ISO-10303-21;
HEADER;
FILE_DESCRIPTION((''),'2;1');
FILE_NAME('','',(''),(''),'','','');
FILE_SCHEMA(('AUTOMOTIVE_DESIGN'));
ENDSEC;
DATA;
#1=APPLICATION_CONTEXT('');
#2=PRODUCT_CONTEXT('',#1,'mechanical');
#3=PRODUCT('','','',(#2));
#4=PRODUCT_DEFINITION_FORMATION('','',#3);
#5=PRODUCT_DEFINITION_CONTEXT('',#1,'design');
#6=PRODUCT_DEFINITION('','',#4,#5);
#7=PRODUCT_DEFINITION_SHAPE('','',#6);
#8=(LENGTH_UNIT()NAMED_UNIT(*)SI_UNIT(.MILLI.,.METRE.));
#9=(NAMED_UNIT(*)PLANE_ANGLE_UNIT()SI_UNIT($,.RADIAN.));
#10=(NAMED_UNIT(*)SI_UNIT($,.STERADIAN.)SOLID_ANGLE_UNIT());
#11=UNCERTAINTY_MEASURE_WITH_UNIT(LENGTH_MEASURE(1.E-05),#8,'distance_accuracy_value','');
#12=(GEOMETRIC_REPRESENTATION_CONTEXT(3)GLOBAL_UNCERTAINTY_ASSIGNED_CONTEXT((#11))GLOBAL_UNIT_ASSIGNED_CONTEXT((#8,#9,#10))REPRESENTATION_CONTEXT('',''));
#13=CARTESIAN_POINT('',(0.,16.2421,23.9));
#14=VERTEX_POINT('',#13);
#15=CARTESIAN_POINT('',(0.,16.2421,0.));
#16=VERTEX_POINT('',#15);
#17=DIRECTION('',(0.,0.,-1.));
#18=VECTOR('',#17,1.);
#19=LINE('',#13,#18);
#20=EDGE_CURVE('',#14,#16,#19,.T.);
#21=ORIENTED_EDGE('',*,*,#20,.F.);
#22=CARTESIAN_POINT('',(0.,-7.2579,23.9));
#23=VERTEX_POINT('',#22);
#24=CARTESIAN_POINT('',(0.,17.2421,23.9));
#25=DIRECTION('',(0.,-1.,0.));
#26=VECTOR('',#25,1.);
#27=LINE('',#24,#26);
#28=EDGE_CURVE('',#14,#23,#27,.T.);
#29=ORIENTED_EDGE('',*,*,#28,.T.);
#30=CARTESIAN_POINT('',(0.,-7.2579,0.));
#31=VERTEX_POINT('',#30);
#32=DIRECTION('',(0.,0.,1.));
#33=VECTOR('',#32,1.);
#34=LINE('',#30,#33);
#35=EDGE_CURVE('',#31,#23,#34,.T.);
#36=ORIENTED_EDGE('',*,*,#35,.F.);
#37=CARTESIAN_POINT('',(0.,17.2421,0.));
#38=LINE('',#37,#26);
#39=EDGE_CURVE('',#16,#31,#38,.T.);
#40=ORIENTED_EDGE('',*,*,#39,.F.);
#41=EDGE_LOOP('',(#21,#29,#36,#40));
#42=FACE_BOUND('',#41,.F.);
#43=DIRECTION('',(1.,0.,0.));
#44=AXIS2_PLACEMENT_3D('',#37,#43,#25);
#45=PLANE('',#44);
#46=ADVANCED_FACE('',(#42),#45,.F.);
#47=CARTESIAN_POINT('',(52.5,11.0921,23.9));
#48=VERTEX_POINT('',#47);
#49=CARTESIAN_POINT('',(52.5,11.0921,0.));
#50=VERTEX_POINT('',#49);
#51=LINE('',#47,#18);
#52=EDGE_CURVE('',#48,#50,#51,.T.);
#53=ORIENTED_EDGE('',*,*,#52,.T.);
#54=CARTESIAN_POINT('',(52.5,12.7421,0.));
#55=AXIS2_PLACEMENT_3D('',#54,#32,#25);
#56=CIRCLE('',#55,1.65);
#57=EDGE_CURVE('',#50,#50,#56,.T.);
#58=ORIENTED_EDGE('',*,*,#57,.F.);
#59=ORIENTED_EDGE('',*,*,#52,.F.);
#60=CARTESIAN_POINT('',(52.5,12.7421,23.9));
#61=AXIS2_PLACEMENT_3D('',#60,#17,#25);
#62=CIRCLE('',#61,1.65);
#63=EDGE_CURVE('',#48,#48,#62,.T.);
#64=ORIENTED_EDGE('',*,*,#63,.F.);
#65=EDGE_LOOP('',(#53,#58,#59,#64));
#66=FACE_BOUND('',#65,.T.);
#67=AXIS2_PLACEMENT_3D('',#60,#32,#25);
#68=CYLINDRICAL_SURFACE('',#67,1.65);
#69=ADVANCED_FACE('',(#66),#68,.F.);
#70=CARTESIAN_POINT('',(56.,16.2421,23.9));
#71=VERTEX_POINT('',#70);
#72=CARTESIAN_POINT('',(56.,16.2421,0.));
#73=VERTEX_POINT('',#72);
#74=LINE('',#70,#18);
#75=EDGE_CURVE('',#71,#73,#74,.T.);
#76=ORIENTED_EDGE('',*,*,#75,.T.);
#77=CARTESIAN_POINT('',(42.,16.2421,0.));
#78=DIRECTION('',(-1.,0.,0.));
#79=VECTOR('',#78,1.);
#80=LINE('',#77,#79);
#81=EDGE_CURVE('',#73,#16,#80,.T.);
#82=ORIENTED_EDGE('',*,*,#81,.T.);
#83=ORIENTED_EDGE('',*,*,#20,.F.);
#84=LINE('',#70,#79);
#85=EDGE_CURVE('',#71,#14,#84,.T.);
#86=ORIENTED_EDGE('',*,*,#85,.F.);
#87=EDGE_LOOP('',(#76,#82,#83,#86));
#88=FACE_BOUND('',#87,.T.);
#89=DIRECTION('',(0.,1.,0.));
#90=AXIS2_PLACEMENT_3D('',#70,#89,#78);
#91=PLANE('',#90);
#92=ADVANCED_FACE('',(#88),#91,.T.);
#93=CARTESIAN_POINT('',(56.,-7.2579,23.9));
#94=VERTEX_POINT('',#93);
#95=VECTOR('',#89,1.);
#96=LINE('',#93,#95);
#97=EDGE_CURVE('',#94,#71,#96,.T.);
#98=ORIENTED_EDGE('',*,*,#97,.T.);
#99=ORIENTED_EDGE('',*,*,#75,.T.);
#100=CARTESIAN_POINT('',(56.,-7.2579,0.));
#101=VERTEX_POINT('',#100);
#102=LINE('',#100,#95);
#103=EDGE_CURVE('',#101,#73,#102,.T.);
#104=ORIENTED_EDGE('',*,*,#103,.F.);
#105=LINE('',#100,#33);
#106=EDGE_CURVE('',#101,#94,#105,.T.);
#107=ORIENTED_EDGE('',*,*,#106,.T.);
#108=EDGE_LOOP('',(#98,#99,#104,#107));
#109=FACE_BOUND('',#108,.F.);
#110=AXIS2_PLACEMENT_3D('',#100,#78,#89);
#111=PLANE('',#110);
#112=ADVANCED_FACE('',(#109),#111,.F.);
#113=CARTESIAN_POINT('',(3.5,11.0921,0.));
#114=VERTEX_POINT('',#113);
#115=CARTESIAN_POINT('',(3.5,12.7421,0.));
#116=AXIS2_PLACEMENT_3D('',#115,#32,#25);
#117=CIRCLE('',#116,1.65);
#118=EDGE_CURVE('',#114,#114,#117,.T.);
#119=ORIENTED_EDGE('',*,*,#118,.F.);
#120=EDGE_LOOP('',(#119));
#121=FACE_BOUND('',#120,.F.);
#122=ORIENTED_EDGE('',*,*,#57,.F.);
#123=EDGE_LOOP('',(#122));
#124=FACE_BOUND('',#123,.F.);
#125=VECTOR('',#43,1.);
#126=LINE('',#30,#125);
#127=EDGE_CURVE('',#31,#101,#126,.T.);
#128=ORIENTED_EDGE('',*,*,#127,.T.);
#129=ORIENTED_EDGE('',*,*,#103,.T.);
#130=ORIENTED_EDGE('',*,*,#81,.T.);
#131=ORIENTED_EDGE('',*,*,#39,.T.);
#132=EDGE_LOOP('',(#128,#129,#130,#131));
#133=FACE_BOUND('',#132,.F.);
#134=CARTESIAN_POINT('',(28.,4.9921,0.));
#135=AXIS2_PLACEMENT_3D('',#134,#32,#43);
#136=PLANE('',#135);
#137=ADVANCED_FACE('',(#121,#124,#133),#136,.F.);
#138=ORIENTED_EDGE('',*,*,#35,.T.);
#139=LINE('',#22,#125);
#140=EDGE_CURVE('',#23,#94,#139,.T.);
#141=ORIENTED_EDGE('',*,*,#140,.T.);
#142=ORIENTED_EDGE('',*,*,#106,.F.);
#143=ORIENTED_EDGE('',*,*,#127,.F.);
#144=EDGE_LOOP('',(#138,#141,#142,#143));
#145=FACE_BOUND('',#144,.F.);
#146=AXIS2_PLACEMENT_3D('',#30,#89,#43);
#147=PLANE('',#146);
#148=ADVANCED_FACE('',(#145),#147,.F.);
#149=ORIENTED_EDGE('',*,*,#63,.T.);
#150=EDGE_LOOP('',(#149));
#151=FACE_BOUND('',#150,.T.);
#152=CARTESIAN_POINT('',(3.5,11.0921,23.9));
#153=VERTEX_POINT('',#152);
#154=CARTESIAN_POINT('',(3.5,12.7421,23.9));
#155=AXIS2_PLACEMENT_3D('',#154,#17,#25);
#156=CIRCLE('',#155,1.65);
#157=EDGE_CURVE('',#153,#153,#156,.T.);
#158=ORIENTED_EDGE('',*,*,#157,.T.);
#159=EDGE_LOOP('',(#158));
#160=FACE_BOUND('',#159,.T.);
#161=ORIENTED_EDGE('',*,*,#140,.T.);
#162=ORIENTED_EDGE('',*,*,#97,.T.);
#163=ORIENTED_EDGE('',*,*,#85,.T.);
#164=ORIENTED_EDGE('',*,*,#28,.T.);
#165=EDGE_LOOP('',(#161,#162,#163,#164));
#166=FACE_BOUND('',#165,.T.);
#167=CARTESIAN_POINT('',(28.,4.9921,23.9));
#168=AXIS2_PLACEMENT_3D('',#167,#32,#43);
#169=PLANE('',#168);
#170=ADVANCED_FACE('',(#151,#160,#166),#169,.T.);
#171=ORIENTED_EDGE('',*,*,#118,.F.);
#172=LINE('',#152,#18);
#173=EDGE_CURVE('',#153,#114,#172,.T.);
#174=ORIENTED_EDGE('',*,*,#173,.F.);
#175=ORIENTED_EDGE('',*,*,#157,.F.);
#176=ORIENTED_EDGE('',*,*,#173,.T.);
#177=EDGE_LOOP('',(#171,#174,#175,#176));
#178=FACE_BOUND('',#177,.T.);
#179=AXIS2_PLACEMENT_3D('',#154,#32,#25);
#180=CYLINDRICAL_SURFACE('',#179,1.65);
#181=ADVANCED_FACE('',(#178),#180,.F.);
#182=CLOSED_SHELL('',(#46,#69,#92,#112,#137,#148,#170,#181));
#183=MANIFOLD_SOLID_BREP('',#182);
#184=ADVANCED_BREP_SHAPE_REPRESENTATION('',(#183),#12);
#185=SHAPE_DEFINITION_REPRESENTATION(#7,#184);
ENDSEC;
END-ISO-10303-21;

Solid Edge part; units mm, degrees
sketch "Sketch1" plane through (0, 0, 0) normal (0, 0, 1) x (1, 0, 0)
  line L0 (0, -7.2579) -> (56, -7.2579)
  line L1 (56, -7.2579) -> (56, 17.2421)
  line L2 (56, 17.2421) -> (0, 17.2421)
  line L3 (0, 17.2421) -> (0, -7.2579)
  dimension "D1" = 56
  dimension "D2" = 24.5
extrude "Protrusion1" add sketch "Sketch1" along normal blind 23.9
hole "Hole_1" at (52.5, 12.7421, 23.9) direction (0, 0, -1) diameter 3.3 end through all
hole "Hole1" at (3.5, 12.7421, 23.9) direction (0, 0, -1) diameter 3.3 end through all
sketch "Sketch2" plane through (28, 4.9921, 23.9) normal (0, 0, 1) x (1, 0, 0)
  line L0 (-28, 12.25) -> (28, 12.25)
  line L1 (28, 12.25) -> (28, 11.25)
  line L2 (28, 11.25) -> (-28, 11.25)
  line L3 (-28, 11.25) -> (-28, 12.25)
  dimension "D1" = 1
extrude "Cutout1" cut sketch "Sketch2" against normal through all
properties material "Aluminum, 6061-T6"
